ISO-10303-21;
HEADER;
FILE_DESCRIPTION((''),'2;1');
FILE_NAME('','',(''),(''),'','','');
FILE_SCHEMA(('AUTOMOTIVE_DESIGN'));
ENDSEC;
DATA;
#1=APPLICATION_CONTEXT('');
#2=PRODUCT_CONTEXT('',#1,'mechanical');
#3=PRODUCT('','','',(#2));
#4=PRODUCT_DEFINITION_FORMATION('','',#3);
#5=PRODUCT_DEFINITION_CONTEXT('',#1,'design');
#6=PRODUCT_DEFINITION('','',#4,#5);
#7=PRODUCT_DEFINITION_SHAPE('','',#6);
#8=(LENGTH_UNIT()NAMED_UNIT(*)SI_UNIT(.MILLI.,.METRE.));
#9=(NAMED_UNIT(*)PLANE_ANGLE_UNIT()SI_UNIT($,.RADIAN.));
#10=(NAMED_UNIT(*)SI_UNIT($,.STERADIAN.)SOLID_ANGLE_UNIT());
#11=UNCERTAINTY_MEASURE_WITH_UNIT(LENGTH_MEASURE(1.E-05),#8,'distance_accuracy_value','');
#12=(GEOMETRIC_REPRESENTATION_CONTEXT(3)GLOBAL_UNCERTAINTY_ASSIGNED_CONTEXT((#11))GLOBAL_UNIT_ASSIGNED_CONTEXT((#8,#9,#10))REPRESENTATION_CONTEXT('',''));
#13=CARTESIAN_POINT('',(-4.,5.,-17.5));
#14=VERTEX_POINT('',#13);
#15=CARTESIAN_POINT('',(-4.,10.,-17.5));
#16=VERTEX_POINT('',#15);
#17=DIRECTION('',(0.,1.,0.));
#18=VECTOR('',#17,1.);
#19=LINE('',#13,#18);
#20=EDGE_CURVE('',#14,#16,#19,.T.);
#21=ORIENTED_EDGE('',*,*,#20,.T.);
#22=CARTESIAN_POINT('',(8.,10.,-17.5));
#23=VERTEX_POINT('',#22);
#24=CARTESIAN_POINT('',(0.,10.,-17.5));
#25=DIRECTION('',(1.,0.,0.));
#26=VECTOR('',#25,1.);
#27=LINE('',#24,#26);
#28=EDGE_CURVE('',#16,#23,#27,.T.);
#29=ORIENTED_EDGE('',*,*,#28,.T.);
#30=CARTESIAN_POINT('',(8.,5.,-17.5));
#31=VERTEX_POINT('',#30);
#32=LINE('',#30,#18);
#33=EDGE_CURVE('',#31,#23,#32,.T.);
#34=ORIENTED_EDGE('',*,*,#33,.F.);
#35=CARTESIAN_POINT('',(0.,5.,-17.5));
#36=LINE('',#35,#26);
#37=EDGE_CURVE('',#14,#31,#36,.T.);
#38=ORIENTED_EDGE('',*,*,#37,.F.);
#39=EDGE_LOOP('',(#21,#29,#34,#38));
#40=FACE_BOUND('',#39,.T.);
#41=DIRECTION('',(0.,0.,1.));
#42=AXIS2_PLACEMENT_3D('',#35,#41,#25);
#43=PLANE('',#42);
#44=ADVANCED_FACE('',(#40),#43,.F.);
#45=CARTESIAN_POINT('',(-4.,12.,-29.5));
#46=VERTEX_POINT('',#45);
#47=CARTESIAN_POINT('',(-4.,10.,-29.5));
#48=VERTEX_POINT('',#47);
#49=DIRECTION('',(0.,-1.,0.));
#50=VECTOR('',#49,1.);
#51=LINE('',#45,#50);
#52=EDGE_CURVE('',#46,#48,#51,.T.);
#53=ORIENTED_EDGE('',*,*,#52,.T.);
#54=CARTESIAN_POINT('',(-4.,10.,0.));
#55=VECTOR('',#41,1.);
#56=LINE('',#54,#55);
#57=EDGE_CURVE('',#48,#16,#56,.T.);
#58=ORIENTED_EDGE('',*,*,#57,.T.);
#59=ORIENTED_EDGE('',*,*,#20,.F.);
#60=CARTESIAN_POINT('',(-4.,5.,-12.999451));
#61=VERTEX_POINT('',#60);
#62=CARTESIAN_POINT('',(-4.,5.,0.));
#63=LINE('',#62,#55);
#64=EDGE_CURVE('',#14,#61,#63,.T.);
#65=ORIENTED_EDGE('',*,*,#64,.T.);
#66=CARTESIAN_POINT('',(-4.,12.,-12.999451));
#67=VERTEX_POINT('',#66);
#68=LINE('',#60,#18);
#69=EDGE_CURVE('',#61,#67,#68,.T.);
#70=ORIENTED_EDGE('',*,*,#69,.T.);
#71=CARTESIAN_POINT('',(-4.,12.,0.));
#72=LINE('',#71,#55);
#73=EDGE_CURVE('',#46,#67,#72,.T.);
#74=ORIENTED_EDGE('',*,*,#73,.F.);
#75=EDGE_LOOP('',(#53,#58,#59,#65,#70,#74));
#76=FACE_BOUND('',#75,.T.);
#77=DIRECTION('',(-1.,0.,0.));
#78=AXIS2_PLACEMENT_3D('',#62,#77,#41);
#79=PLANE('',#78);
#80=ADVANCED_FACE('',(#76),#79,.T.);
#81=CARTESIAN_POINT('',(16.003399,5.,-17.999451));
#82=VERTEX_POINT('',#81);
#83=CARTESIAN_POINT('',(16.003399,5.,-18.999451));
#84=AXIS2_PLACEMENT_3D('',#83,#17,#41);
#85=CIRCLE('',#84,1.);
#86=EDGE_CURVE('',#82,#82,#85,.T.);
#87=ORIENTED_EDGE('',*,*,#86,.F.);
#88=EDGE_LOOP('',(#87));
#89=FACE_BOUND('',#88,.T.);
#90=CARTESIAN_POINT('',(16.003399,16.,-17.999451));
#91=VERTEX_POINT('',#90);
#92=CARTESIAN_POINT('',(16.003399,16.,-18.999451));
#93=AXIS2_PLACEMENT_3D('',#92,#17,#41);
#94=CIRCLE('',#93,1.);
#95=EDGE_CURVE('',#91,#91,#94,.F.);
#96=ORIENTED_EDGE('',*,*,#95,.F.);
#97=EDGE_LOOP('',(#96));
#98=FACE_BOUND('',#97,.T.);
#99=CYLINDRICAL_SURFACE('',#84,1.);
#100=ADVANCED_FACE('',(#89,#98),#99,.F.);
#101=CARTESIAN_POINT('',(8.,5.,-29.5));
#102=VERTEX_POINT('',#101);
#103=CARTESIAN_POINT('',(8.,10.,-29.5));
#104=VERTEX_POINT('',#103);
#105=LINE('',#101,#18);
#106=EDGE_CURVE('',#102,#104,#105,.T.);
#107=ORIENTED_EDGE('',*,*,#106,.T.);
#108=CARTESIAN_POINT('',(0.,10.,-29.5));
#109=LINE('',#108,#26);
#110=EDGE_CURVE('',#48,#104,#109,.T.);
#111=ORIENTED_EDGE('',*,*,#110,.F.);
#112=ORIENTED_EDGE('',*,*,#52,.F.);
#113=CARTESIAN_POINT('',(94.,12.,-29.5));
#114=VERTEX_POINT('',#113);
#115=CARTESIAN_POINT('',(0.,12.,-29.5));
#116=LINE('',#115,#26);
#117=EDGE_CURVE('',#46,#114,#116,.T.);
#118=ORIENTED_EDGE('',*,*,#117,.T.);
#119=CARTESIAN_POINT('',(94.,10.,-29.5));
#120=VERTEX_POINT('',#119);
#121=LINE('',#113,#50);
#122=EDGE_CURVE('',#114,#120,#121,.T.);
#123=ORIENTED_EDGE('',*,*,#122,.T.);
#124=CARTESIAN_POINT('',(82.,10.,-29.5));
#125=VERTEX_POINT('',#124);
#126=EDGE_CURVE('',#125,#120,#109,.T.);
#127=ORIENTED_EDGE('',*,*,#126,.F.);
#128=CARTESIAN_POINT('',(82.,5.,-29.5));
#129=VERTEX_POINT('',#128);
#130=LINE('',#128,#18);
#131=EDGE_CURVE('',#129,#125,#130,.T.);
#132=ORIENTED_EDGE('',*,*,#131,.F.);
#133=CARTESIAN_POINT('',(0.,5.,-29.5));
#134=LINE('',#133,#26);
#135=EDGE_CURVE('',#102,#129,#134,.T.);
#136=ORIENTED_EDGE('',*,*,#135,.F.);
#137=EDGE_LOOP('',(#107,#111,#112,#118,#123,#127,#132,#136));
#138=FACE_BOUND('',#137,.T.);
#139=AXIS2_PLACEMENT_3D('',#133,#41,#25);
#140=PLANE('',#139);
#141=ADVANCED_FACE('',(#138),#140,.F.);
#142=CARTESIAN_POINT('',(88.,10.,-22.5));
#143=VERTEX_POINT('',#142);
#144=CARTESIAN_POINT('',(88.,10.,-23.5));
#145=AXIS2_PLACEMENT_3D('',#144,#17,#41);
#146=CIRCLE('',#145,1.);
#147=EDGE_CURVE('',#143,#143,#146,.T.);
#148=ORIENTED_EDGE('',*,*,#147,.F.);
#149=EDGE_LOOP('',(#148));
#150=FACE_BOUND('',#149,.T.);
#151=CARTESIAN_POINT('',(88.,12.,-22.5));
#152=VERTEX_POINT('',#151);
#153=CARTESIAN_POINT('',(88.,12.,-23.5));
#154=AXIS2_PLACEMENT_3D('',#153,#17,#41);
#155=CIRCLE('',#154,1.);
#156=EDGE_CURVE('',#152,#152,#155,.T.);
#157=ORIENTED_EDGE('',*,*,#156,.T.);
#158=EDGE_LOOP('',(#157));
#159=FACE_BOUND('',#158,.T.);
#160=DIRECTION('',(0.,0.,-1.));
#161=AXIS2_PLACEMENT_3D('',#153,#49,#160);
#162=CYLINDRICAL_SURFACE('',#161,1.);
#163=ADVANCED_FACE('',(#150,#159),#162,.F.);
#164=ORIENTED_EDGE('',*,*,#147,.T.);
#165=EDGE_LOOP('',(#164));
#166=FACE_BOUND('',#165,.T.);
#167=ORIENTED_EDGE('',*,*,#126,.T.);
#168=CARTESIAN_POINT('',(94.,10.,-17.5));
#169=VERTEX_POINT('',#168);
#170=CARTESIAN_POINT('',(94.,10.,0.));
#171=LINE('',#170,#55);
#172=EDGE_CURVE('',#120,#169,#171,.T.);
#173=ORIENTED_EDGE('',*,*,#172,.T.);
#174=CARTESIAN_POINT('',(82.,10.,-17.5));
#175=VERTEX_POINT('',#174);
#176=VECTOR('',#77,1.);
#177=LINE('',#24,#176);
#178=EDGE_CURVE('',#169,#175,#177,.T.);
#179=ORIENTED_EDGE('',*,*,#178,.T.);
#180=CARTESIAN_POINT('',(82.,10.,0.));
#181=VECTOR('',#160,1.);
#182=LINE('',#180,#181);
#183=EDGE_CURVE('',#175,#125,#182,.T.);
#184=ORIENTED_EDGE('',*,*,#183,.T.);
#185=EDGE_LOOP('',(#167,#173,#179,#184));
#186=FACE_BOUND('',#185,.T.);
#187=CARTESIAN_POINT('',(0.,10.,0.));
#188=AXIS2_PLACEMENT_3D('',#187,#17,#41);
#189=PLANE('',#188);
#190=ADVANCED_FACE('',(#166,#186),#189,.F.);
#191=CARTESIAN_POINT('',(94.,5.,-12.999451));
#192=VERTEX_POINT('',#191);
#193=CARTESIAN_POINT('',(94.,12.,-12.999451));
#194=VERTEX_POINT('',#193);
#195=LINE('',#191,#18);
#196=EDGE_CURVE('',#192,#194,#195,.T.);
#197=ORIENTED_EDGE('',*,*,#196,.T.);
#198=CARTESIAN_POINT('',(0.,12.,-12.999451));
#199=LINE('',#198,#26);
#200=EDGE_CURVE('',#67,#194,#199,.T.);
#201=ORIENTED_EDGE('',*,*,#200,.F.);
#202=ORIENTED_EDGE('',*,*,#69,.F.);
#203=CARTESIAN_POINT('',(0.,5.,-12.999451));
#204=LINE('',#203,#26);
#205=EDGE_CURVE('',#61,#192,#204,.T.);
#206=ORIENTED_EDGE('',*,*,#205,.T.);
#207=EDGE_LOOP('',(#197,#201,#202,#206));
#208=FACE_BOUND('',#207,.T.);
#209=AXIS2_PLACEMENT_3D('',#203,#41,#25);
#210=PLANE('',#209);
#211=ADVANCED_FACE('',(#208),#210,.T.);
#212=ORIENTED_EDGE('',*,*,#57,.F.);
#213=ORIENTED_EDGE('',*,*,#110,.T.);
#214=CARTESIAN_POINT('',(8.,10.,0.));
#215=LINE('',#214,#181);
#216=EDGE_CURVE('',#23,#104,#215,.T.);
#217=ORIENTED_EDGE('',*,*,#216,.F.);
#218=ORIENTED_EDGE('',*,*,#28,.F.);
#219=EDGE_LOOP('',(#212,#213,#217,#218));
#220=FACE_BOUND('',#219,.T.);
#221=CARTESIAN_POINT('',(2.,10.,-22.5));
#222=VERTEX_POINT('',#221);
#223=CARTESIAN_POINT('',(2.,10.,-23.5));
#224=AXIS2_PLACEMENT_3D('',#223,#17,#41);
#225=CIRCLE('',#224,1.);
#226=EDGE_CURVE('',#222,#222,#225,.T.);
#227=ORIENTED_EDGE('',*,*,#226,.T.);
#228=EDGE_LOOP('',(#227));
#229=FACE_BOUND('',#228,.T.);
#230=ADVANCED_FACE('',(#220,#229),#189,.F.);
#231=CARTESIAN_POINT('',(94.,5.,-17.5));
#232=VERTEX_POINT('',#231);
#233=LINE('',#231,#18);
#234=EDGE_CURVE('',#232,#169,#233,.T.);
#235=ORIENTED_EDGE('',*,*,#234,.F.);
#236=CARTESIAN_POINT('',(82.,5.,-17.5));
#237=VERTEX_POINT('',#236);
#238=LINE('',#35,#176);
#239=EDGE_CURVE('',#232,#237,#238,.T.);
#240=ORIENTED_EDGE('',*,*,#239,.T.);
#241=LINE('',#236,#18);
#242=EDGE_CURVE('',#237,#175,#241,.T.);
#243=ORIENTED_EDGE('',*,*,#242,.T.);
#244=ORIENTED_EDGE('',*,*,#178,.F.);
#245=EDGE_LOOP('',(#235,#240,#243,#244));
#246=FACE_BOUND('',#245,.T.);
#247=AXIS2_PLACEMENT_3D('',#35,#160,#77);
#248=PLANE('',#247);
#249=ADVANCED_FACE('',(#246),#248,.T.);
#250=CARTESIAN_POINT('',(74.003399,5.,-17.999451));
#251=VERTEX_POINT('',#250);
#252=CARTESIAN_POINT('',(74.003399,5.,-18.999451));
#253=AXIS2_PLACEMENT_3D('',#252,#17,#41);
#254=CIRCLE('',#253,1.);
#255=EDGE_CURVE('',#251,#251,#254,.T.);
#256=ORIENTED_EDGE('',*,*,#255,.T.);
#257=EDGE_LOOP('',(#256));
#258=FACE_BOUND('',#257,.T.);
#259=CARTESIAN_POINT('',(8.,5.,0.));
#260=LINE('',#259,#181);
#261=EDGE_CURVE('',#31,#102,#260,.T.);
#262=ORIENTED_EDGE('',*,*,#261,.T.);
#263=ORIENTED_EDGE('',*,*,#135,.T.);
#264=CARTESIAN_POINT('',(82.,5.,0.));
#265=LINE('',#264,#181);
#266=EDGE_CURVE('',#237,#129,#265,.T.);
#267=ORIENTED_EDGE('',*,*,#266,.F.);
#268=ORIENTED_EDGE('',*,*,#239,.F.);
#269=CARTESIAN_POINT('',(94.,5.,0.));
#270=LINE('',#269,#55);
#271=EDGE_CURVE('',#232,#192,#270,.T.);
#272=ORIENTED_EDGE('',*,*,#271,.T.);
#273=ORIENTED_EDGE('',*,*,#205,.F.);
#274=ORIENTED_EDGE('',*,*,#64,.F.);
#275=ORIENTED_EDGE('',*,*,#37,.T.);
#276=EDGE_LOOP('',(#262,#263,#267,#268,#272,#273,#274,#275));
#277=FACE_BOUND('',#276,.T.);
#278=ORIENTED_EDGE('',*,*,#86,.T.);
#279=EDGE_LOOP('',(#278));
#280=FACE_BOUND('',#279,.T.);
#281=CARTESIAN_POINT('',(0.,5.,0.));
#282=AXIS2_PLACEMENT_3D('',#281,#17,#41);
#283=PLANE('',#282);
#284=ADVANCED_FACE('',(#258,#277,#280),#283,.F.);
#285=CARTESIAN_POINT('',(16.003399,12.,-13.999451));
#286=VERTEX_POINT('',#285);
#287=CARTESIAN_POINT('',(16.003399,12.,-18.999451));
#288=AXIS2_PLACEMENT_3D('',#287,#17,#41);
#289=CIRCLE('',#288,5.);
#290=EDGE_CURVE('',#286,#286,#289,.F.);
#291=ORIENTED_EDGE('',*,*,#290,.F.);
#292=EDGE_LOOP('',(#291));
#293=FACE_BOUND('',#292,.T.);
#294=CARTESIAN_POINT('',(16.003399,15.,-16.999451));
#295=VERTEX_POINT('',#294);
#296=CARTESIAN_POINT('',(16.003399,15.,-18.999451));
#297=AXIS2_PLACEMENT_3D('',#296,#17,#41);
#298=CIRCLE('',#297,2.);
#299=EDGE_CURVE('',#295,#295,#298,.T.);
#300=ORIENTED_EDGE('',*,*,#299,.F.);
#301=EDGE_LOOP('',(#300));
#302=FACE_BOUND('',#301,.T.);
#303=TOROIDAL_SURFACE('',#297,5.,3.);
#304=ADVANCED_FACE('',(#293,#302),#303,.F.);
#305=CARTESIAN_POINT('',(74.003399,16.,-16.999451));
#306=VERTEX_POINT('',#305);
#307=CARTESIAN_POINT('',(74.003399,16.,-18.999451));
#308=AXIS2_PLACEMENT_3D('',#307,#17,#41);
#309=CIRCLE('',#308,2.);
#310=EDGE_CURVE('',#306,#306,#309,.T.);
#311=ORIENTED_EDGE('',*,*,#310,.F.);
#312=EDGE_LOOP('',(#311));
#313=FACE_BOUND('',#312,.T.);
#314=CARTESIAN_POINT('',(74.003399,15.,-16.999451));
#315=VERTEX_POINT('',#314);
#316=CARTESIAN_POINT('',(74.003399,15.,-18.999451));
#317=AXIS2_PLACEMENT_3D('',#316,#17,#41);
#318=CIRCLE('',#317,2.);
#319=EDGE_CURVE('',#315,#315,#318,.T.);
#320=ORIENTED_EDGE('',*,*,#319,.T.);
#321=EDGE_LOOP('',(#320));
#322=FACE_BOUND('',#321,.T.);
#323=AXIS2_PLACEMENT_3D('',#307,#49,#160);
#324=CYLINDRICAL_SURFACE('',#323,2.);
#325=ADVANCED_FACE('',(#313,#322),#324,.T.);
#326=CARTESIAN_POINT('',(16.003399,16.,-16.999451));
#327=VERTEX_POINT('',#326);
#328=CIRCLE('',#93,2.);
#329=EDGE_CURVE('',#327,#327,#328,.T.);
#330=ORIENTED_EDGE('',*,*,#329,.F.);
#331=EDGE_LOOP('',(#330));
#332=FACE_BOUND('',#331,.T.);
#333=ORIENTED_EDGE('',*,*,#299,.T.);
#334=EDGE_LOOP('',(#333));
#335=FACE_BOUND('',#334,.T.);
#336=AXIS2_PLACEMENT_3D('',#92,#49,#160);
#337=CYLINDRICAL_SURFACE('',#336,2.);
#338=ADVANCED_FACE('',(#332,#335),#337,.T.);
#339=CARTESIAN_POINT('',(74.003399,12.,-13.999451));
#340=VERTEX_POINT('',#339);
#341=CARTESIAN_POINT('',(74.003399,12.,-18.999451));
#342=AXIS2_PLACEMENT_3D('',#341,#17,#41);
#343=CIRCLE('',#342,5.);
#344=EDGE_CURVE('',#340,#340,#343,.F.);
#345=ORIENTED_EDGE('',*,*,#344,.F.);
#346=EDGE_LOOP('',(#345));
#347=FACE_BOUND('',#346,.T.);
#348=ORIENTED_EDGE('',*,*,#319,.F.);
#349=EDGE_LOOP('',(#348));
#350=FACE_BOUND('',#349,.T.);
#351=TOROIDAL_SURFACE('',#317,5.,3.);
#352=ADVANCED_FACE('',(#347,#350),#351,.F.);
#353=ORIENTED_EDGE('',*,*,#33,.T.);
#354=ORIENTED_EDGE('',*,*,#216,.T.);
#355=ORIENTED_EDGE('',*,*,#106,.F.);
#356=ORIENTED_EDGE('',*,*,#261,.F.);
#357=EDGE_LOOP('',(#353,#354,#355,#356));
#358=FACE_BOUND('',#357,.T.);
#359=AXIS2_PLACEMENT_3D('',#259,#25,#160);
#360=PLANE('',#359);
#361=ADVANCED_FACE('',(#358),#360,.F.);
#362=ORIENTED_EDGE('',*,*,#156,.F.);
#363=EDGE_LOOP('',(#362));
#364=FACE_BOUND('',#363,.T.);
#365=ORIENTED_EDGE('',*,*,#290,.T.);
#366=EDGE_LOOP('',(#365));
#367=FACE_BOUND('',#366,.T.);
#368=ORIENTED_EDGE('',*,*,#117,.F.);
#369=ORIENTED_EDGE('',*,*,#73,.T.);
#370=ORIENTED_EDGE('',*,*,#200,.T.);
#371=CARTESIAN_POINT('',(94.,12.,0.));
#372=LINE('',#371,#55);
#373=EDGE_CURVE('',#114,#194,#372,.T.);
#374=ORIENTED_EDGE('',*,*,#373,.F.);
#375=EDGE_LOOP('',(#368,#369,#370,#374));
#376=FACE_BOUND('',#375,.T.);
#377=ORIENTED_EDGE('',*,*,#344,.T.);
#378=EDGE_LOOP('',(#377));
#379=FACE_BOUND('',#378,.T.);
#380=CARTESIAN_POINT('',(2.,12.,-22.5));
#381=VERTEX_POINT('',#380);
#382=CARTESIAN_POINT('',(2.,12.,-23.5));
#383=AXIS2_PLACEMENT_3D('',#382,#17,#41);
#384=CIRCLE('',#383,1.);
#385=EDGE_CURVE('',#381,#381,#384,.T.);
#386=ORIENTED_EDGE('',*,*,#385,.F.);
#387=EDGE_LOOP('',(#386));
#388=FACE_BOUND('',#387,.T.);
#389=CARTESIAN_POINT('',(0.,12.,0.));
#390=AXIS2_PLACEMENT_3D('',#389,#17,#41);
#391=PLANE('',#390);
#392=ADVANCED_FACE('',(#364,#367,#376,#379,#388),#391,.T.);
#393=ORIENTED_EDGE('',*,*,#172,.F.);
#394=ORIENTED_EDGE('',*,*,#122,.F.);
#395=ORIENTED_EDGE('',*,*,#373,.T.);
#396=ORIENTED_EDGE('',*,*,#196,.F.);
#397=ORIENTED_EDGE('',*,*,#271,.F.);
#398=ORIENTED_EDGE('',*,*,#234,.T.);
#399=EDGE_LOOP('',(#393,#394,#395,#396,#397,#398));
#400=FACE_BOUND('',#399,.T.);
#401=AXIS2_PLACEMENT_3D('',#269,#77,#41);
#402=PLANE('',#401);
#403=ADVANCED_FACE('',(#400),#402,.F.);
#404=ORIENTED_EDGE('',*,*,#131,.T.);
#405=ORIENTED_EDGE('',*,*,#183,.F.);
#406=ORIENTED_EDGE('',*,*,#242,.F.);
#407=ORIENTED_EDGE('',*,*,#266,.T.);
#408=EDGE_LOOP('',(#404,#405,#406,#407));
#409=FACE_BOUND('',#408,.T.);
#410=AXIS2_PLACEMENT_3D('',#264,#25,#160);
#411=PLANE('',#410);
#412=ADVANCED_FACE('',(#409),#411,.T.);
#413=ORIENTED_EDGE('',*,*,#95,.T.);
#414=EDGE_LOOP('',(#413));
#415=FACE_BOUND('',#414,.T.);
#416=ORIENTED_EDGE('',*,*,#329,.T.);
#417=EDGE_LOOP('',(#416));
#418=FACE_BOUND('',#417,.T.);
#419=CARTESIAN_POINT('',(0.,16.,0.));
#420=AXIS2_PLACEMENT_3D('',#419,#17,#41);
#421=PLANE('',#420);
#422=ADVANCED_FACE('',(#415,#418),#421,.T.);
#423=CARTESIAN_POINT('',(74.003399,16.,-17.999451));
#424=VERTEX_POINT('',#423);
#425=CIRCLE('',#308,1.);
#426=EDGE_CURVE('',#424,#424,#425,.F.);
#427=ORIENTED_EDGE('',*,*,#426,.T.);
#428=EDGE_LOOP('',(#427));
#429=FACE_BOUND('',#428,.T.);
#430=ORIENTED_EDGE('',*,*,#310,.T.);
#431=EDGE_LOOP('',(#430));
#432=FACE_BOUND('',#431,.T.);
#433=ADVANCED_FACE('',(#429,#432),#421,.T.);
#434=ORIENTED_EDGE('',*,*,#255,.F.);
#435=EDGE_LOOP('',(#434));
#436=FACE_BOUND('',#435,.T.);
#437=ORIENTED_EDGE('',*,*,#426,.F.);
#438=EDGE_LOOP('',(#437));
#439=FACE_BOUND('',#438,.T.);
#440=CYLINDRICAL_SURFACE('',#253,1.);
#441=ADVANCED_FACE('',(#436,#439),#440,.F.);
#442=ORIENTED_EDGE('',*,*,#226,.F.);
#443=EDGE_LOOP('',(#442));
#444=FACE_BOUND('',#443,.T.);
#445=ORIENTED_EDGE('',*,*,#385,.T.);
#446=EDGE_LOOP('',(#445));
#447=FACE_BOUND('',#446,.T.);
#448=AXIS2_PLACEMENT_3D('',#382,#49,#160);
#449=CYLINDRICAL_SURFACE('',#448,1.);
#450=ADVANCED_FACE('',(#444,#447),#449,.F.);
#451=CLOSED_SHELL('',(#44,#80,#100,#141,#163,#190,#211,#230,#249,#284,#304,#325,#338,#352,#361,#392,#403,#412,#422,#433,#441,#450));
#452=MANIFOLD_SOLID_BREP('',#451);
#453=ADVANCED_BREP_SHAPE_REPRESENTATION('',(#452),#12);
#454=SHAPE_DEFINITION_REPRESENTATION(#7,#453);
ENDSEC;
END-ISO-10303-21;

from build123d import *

# Parameters (mm, degrees)
SKETCH_10_R     = 1
EXTRUDE_5_DEPTH = 5
EXTRUDE_START   = 2
SKETCH_10_4_W   = 97.99999928
SKETCH_10_4_H   = 16.500549096
SKETCH_10_4_R   = 1
EXTRUDE_6_DEPTH = 2
EXTRUDE_START_2 = 4
SKETCH_11_R     = 2
SKETCH_11_R_2   = 1
EXTRUDE_8_DEPTH = 4
FILLET_30_R     = 3


with BuildPart() as part:
    # 草图10 → 凸台-拉伸5 (new body)
    with BuildSketch(Plane(origin=(0, 10, 0), x_dir=(1, 0, 0), z_dir=(0, 1, 0))):
        Polygon((8.00000036, 17.5), (-3.99999964, 17.5), (-3.99999964, 12.999450904), (93.99999964, 12.999450904), (93.99999964, 17.5), (81.99999964, 17.5), (81.99999964, 29.5), (8.00000036, 29.5), align=None)
        with Locations((16.003399367, 18.999450904)):
            Circle(SKETCH_10_R, mode=Mode.SUBTRACT)
        with Locations((74.003399367, 18.999450904)):
            Circle(SKETCH_10_R, mode=Mode.SUBTRACT)
    extrude(amount=-EXTRUDE_5_DEPTH)

    # 草图10<4> → 凸台-拉伸6 (add)
    with BuildSketch(Plane(origin=(0, 10, 0), x_dir=(1, 0, 0), z_dir=(0, 1, 0)).offset(EXTRUDE_START)):
        with Locations((45, 21.249725452)):
            Rectangle(SKETCH_10_4_W, SKETCH_10_4_H)
        with Locations((2.00000036, 23.5)):
            Circle(SKETCH_10_4_R, mode=Mode.SUBTRACT)
        with Locations((88.00000036, 23.5)):
            Circle(SKETCH_10_4_R, mode=Mode.SUBTRACT)
        with Locations((16.003399367, 18.999450904)):
            Circle(SKETCH_10_4_R, mode=Mode.SUBTRACT)
        with Locations((74.003399367, 18.999450904)):
            Circle(SKETCH_10_4_R, mode=Mode.SUBTRACT)
    extrude(amount=-EXTRUDE_6_DEPTH)

    # 草图11 → 凸台-拉伸8 (add)
    # profile 1 of 2: a face of its own
    with BuildSketch(Plane(origin=(0, 12, 0), x_dir=(1, 0, 0), z_dir=(0, 1, 0)).offset(EXTRUDE_START_2)):
        with Locations((16.003399367, 18.999450904)):
            Circle(SKETCH_11_R)
        with Locations((16.003399367, 18.999450904)):
            Circle(SKETCH_11_R_2, mode=Mode.SUBTRACT)
    # profile 2 of 2: a face of its own
    with BuildSketch(Plane(origin=(0, 12, 0), x_dir=(1, 0, 0), z_dir=(0, 1, 0)).offset(EXTRUDE_START_2)):
        with Locations((74.003399367, 18.999450904)):
            Circle(SKETCH_11_R)
        with Locations((74.003399367, 18.999450904)):
            Circle(SKETCH_11_R_2, mode=Mode.SUBTRACT)
    extrude(amount=-EXTRUDE_8_DEPTH)

    # 圆角30
    fillet_30_edges = [part.edges().sort_by_distance(p)[0] for p in [
        (14.003399367, 12, -18.999450904),
        (72.003399367, 12, -18.999450904),
    ]]
    fillet(fillet_30_edges, radius=FILLET_30_R)


solid = part.part
